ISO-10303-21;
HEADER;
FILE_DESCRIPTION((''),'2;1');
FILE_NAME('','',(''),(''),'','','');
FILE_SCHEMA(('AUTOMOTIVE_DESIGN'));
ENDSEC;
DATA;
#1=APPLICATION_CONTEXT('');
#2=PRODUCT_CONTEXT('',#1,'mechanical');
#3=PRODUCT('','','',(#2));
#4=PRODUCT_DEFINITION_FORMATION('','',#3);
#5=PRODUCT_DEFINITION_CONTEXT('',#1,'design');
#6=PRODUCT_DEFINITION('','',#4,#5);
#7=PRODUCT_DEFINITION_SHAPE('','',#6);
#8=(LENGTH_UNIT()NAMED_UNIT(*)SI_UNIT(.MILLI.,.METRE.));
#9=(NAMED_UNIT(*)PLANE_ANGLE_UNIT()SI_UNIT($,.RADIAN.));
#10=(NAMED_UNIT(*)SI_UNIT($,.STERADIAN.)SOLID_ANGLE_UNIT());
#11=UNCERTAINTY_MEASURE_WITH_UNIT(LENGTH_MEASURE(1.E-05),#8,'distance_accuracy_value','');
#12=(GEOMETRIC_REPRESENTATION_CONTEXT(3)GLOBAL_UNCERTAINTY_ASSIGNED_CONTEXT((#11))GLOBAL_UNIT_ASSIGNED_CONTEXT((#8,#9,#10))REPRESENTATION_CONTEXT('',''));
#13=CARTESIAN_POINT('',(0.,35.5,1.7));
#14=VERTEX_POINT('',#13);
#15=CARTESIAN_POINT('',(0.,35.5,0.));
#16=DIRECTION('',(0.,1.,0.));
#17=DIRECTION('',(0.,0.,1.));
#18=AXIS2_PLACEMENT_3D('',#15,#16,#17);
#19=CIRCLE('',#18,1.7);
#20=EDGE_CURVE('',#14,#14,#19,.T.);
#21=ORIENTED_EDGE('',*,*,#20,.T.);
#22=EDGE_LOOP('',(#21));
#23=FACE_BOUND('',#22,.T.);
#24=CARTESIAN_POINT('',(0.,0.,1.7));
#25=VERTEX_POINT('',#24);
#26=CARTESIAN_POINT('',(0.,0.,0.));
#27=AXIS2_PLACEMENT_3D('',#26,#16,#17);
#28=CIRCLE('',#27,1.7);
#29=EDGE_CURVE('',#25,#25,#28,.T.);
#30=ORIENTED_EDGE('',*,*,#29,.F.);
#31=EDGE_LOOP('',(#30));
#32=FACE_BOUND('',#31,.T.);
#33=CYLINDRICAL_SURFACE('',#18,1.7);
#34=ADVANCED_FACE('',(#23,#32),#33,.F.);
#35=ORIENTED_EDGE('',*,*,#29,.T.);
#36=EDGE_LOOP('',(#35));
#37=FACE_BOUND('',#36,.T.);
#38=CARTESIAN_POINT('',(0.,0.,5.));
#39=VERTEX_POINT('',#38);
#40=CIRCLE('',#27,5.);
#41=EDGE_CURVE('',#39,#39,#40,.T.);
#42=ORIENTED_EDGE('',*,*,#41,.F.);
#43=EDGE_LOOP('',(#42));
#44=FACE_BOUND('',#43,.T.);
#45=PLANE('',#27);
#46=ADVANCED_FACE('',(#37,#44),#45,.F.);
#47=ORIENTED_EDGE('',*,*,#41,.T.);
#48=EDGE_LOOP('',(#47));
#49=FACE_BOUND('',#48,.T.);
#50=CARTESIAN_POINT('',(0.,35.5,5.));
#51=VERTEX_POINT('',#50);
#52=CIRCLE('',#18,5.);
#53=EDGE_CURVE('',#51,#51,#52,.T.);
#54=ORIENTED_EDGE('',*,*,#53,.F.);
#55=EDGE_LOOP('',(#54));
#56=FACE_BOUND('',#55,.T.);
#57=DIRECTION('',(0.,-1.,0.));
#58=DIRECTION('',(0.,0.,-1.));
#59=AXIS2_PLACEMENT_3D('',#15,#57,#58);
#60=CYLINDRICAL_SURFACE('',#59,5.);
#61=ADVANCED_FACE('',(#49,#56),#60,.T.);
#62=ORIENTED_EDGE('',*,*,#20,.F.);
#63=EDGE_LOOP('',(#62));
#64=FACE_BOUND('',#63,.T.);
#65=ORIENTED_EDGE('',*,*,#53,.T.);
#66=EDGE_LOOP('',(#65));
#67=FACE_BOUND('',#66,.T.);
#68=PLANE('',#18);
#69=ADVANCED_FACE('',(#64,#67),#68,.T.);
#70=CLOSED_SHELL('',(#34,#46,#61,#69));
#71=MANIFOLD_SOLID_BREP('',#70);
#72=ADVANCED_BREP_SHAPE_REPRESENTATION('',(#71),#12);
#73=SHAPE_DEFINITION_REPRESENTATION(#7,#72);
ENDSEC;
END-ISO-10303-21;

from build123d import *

# Parameters (mm, degrees)
SKETCH1_R            = 5
BOSS_EXTRUDE1_DEPTH  = 35.5
M3_CLEARANCE_HOLE1_D = 3.4


with BuildPart() as part:
    # Sketch1 → Boss-Extrude1 (new body)
    with BuildSketch(Plane(origin=(0, 0, 0), x_dir=(1, 0, 0), z_dir=(0, 1, 0))):
        with Locations(Location((0, 0, 0), (0, 0, 270))):
            Circle(SKETCH1_R)
    extrude(amount=BOSS_EXTRUDE1_DEPTH)

    # M3 Clearance Hole1 (through all)
    with Locations(Plane(origin=(0, 35.5, 0), x_dir=(1, 0, 0), z_dir=(0, 1, 0))):
        with Locations((0, 0)):
            Hole(M3_CLEARANCE_HOLE1_D / 2)


solid = part.part
